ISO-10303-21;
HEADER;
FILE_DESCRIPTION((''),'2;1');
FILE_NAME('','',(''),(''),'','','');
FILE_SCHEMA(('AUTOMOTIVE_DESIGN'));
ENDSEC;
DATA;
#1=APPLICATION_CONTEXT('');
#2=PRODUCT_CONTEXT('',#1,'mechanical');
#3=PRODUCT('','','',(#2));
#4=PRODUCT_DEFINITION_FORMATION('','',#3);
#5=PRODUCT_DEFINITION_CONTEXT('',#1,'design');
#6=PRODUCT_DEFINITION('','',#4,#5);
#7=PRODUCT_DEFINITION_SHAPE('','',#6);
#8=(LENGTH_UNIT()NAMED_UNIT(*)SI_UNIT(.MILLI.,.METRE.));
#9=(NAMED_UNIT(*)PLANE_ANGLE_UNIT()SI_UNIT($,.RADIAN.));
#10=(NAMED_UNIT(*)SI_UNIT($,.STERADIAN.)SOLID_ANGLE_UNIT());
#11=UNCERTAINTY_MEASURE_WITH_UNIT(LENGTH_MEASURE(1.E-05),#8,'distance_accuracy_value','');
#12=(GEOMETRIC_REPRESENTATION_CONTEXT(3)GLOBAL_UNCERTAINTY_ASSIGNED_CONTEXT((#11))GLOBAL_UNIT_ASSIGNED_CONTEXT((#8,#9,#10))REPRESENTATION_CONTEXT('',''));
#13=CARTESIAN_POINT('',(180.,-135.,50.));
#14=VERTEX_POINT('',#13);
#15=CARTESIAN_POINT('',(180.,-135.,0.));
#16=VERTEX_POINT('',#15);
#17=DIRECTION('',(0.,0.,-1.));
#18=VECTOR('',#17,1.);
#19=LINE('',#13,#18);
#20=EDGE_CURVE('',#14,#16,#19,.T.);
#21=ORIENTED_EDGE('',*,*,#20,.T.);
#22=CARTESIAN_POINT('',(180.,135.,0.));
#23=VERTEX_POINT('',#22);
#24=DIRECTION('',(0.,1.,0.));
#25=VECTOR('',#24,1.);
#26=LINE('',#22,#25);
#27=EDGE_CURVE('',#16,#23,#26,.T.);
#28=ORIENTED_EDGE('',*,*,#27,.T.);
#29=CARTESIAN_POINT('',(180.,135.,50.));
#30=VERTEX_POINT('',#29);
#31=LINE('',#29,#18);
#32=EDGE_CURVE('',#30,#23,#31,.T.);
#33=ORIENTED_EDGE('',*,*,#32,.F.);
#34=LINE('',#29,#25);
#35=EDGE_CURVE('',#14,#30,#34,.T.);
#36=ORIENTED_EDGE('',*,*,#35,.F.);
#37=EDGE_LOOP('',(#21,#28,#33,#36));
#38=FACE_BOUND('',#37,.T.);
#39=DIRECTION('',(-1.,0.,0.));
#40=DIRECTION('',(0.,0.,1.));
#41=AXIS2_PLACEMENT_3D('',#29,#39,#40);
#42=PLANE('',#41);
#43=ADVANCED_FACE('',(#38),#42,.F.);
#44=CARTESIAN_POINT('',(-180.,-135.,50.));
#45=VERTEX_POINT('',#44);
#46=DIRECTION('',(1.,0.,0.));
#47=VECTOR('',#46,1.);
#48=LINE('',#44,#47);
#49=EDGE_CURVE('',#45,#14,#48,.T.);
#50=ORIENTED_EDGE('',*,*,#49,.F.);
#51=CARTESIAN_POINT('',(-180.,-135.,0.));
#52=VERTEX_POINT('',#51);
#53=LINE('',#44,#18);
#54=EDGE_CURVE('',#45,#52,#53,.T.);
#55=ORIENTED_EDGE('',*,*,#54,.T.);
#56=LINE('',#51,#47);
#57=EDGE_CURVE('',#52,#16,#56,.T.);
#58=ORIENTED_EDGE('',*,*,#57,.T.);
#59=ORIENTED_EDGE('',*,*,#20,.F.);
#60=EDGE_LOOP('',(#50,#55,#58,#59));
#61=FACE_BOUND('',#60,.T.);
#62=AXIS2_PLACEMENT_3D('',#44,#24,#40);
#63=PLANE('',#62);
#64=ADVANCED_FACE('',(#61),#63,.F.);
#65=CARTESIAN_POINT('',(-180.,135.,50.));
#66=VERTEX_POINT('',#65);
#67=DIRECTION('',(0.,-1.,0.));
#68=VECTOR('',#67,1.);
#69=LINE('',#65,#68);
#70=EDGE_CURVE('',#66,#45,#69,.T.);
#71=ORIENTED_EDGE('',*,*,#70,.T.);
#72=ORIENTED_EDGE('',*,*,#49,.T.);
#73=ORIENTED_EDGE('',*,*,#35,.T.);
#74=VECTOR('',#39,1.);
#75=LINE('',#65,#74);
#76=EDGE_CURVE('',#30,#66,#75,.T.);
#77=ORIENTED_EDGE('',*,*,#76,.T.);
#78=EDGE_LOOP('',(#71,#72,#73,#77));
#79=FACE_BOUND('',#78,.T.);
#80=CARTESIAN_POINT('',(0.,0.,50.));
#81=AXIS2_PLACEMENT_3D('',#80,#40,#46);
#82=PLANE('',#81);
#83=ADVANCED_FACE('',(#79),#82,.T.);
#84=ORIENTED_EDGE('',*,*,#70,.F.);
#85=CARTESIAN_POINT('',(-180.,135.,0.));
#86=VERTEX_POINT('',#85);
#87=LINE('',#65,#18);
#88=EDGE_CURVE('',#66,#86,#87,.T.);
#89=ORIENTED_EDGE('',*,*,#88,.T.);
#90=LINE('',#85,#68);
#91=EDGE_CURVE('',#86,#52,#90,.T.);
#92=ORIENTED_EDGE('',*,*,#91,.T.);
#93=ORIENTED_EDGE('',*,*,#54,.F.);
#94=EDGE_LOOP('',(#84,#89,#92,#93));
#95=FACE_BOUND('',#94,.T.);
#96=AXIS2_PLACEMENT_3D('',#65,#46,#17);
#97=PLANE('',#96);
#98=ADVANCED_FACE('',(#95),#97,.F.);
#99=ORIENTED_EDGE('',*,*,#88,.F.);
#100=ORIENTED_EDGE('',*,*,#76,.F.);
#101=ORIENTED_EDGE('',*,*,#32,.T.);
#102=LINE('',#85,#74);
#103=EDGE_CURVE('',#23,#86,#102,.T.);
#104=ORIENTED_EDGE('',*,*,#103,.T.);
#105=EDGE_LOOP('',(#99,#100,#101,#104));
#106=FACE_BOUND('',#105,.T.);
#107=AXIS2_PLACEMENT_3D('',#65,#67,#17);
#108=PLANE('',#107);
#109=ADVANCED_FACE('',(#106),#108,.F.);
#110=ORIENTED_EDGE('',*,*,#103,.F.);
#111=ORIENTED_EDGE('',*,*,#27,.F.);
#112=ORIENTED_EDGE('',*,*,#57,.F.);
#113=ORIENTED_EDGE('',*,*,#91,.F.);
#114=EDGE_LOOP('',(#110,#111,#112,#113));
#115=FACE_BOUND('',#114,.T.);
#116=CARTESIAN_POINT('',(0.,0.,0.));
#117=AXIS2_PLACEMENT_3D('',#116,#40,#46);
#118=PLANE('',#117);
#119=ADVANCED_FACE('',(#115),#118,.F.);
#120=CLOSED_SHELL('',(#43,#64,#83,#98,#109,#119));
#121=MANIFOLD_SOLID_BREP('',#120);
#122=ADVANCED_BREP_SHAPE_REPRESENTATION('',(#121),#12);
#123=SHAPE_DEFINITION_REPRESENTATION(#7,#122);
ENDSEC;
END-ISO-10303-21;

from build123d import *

# Parameters (mm, degrees)
SKETCH_1_W      = 360
SKETCH_1_H      = 270
EXTRUDE_1_DEPTH = 50


with BuildPart() as part:
    # Эскиз1 → Бобышка-Вытянуть1 (new body)
    with BuildSketch(Plane.XY):
        Rectangle(SKETCH_1_W, SKETCH_1_H)
    extrude(amount=EXTRUDE_1_DEPTH)


solid = part.part
